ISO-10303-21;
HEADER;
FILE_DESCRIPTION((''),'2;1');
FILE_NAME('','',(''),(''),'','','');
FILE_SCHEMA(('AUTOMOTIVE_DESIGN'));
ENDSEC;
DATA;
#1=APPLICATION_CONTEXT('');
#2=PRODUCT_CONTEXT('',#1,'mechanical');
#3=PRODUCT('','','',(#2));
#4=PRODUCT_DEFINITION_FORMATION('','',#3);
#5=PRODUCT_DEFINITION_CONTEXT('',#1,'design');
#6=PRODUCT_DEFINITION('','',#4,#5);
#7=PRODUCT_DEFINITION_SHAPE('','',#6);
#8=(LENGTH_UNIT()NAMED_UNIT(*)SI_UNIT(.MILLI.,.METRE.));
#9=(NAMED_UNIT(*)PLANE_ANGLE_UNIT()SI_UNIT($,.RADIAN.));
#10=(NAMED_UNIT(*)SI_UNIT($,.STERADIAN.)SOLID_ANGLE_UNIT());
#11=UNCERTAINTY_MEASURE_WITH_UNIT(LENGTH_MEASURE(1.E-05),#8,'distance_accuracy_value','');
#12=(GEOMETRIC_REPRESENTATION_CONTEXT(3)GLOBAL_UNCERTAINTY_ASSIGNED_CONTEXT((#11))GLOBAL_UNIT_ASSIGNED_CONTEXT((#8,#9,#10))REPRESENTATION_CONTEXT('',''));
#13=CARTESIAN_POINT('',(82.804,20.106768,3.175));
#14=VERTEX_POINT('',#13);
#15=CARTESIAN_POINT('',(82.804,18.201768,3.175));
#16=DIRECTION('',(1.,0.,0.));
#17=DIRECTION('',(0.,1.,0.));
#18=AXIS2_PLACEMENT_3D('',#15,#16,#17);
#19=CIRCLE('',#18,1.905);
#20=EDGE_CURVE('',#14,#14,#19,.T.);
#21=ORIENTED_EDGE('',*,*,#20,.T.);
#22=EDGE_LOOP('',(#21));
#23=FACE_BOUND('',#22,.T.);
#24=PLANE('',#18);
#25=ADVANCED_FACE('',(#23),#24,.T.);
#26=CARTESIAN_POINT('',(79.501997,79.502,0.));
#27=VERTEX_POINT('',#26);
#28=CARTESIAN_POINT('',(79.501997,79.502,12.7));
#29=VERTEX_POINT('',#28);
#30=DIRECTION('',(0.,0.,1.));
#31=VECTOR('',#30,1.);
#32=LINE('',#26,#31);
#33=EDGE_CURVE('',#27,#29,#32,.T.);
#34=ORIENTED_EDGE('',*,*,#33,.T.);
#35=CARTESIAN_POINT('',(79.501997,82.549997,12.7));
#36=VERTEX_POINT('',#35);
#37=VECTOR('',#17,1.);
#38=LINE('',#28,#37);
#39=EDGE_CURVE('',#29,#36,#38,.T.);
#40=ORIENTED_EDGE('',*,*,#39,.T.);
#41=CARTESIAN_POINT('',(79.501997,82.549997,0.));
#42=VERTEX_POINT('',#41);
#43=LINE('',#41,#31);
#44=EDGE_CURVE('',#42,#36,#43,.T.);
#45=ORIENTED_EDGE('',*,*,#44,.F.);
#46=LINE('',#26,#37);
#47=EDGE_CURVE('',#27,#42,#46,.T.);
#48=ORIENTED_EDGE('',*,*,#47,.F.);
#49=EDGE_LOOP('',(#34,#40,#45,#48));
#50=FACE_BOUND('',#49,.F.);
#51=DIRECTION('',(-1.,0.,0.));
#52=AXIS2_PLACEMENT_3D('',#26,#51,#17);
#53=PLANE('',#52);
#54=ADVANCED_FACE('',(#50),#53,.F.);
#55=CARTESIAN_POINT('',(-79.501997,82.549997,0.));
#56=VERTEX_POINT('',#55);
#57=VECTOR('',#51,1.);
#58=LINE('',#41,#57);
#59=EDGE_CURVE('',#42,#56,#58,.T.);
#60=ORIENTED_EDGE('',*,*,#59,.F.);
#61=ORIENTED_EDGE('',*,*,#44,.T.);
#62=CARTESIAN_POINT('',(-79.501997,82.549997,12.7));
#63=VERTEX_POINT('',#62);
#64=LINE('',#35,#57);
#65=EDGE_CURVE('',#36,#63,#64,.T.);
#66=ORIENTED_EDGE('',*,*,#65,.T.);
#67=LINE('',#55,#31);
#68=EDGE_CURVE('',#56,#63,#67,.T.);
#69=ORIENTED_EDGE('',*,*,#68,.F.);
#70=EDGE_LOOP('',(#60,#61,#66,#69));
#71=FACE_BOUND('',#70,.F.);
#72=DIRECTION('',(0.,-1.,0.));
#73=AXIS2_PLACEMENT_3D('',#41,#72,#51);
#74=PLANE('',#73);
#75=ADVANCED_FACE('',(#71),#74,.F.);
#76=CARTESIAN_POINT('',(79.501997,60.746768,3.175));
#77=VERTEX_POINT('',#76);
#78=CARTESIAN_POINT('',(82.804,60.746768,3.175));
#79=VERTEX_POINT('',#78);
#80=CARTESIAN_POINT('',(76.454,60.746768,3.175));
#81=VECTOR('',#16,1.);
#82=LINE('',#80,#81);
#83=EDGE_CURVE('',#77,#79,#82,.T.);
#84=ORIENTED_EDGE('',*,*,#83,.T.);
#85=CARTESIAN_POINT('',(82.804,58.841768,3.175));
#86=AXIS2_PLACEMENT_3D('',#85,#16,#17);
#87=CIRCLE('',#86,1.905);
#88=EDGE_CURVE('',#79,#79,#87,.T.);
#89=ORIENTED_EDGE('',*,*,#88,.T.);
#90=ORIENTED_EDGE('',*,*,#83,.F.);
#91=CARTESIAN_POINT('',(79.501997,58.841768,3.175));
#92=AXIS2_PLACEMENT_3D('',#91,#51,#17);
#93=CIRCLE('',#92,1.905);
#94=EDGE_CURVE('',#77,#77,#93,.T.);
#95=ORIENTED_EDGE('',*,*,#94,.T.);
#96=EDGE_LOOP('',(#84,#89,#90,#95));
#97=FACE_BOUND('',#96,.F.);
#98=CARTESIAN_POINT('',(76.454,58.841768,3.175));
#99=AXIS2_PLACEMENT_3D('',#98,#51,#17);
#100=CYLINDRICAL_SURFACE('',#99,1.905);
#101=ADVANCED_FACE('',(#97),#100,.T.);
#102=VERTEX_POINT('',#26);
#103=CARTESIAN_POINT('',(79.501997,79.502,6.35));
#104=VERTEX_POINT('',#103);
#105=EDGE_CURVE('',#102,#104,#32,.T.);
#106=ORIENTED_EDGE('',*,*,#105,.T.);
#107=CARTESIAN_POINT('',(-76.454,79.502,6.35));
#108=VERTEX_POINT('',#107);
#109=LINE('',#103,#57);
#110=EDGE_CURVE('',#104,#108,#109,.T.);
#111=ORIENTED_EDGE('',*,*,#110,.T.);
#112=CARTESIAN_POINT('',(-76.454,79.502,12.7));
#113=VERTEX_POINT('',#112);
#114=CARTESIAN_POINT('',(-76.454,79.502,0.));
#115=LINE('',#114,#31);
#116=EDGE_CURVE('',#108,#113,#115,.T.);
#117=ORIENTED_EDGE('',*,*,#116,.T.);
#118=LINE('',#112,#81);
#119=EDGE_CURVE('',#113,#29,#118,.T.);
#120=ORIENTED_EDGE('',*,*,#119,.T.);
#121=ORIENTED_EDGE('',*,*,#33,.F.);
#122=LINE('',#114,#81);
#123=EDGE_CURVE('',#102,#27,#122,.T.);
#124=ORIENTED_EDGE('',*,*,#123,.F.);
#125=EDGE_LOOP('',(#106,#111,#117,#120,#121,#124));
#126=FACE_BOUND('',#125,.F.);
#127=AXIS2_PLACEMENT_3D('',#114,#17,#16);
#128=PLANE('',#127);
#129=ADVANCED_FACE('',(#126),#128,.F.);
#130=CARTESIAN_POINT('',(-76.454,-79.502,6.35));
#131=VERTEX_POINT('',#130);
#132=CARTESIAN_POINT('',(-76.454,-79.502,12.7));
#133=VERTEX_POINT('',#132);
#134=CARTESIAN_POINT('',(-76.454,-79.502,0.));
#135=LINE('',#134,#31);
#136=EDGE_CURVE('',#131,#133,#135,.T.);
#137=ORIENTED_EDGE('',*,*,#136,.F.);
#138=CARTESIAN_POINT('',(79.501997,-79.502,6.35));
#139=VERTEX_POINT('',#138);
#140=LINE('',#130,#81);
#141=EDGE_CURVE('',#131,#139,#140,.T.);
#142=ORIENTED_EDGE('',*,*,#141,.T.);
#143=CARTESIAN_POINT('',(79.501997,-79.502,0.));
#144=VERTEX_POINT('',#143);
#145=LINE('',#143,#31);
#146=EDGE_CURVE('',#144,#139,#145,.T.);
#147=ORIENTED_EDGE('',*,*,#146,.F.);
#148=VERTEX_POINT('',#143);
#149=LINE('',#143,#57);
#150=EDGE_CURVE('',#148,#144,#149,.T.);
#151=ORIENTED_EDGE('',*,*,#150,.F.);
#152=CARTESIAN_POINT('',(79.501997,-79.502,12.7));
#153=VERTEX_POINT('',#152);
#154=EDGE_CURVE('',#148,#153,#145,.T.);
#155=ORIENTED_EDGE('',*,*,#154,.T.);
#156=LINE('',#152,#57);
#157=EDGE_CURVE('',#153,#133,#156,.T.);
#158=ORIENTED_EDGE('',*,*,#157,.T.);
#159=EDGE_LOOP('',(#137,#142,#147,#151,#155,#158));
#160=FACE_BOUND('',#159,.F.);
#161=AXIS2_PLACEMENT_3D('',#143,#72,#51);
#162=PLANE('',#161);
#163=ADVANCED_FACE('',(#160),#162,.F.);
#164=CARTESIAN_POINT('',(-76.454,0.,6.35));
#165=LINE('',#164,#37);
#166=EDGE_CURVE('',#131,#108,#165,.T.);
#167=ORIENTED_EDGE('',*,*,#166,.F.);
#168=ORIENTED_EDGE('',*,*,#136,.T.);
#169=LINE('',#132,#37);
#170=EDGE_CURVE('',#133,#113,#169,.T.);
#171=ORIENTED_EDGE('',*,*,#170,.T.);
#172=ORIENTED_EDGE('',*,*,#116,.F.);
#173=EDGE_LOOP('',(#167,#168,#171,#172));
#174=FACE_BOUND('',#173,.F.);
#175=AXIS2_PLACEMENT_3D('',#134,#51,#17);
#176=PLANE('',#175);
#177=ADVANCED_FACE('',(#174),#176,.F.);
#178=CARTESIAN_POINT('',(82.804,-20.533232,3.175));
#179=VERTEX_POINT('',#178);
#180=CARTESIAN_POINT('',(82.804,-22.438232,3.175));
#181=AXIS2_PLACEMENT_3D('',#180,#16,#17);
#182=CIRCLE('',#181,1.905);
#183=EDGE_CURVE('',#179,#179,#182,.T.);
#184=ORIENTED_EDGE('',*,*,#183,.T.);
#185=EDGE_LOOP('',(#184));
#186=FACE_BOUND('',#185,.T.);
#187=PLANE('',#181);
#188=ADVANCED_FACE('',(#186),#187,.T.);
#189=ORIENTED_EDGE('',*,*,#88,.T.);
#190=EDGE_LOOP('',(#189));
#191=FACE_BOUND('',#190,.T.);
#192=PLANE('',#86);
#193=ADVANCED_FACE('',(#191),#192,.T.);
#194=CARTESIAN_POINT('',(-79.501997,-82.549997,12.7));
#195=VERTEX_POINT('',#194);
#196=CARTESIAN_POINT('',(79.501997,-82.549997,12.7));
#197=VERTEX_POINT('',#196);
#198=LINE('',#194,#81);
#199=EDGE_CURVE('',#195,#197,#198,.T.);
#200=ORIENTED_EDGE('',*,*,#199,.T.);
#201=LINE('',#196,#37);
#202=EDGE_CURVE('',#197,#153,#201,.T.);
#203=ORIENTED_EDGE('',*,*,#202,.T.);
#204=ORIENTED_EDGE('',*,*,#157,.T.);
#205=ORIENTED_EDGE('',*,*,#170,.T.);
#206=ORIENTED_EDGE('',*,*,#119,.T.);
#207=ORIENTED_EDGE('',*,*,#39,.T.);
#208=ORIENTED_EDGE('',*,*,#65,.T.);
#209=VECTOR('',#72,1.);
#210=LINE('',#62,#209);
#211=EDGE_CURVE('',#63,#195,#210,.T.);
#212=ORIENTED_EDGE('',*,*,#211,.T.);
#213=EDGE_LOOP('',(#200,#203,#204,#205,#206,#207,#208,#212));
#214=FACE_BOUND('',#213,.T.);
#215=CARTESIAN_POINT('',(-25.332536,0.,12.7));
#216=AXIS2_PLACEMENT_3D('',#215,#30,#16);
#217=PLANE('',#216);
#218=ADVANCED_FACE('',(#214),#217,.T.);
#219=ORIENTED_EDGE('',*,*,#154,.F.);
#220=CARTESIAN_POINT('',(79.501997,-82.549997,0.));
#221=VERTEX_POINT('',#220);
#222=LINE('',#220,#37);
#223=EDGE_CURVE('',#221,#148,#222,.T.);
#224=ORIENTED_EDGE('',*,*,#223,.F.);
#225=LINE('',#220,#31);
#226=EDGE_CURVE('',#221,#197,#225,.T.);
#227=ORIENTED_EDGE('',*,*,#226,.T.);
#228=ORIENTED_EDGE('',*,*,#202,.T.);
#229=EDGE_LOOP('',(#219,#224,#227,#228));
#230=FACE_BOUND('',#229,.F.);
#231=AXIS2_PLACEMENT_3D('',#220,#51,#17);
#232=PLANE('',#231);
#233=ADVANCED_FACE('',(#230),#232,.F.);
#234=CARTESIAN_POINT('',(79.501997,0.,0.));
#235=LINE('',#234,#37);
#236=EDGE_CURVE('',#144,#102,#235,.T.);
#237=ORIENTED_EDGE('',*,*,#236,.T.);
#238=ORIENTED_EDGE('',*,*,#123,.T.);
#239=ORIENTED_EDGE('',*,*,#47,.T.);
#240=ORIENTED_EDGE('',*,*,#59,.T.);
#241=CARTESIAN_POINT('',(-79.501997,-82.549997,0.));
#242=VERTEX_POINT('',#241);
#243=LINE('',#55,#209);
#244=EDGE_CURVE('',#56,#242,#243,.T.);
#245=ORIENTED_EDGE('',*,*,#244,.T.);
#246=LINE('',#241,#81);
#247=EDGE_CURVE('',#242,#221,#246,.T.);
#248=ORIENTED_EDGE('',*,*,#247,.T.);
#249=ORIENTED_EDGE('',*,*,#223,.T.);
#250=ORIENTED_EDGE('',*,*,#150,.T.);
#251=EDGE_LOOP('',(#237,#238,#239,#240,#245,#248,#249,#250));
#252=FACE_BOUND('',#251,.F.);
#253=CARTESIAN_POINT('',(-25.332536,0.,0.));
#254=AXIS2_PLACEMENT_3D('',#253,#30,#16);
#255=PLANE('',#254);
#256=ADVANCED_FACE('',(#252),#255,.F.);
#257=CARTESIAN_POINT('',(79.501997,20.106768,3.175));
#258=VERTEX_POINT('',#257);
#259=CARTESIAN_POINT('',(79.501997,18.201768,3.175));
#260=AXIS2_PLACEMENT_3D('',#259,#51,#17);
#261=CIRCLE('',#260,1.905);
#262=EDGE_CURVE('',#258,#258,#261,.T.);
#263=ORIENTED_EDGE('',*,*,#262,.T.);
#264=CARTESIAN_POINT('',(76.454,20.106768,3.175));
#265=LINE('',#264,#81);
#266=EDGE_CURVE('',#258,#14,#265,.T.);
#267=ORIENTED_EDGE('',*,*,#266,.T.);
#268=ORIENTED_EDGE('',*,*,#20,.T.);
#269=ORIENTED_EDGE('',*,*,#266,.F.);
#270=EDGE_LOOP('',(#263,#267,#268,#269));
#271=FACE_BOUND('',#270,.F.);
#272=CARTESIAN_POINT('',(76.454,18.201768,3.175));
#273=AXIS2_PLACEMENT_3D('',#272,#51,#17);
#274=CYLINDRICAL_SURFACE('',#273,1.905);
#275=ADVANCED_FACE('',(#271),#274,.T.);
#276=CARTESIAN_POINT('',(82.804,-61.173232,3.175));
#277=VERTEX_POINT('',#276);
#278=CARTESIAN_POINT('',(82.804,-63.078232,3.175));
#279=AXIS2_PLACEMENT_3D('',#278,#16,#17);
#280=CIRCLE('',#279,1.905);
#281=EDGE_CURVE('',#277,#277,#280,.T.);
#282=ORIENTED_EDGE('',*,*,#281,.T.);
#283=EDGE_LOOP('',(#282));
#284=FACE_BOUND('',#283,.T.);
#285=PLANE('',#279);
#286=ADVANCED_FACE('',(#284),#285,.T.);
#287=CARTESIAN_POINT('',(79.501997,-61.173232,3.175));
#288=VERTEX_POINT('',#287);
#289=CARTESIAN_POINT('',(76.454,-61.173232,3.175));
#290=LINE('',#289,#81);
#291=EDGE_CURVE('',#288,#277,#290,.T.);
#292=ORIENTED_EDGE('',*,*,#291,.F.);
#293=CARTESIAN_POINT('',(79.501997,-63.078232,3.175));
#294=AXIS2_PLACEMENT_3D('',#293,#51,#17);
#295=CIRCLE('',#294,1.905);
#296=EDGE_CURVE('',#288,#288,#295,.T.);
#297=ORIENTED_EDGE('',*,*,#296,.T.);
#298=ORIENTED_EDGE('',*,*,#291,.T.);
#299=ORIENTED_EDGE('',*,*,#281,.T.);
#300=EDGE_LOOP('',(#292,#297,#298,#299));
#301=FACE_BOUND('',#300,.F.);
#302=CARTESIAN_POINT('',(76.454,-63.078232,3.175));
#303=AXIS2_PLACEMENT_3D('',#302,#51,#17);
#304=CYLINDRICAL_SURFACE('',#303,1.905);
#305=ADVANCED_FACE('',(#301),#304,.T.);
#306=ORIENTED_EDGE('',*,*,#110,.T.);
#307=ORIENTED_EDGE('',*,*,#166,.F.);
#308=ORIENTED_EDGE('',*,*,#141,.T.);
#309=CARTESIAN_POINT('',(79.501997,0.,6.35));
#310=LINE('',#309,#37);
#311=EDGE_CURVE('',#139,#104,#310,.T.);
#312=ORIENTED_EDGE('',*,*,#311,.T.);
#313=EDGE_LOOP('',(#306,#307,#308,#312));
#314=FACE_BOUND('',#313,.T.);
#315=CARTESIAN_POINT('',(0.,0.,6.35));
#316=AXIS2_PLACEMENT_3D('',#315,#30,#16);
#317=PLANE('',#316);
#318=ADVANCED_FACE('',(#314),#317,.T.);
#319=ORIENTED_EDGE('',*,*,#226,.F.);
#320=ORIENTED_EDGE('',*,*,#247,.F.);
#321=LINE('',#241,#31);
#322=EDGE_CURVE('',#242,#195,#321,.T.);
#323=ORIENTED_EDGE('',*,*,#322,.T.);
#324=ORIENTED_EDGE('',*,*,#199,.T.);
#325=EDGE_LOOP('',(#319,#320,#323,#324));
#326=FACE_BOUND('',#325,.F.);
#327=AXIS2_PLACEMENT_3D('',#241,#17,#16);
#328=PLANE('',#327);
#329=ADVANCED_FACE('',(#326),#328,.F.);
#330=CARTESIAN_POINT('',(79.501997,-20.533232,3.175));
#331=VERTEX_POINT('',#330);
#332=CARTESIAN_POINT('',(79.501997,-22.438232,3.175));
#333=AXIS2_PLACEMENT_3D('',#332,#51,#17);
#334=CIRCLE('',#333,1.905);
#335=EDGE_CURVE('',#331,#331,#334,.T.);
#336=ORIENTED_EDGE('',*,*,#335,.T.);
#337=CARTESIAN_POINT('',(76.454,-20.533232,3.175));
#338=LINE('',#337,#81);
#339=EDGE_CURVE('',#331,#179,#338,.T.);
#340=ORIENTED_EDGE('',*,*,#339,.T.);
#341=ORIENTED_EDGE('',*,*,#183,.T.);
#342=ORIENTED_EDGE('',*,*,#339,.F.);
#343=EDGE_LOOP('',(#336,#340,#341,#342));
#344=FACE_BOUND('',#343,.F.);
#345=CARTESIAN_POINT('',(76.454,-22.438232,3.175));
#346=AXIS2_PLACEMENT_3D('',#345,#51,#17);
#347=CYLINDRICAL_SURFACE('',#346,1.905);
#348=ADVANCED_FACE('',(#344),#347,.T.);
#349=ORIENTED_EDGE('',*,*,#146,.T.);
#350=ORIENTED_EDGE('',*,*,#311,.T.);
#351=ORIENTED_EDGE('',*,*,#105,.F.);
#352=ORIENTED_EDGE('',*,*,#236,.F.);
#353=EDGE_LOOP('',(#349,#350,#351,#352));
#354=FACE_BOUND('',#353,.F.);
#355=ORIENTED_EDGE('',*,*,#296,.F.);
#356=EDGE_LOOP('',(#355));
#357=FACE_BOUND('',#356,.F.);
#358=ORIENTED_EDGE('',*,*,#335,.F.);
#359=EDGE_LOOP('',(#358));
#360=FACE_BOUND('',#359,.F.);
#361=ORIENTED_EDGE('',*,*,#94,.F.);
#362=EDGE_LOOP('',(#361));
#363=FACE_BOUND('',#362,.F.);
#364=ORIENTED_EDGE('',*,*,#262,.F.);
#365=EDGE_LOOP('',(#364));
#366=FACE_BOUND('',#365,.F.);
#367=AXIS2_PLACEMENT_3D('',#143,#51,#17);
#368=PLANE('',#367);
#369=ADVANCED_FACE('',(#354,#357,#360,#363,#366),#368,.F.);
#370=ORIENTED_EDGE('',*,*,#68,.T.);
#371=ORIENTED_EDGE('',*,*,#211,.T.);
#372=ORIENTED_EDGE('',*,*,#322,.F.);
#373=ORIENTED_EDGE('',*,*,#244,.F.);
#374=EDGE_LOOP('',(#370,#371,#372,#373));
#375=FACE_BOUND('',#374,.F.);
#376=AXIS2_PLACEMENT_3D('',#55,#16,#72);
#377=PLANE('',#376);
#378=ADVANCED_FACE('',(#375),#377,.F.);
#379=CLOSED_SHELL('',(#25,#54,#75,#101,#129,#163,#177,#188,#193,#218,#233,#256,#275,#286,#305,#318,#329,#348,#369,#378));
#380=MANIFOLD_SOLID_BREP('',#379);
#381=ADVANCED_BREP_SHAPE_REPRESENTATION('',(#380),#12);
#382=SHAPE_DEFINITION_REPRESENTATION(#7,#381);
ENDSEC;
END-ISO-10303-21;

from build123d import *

# Parameters (mm, degrees)
F0_W     = 152.908
F0_H     = 159.004
F1_DEPTH = 6.35
F2_DEPTH = 12.7
F3_R     = 1.905
F4_DEPTH = 6.35
F0_W_2   = 3.047997
F5_DEPTH = 6.35


with BuildPart() as f1:
    # F0 (on Top) → F1 (new body)
    with BuildSketch(Plane.XY):
        Rectangle(F0_W, F0_H)
    extrude(amount=F1_DEPTH)

    # F0 (on Top) → F2 (join)
    with BuildSketch(Plane.XY):
        Polygon((79.501997, -79.502), (76.454, -79.502), (-76.454, -79.502), (-76.454, 79.502), (76.454, 79.502), (79.501997, 79.502), (79.501997, 82.549997), (-79.501997, 82.549997), (-79.501997, -82.549997), (79.501997, -82.549997), align=None)
    extrude(amount=F2_DEPTH)

    # F3 (on face) → F4 (join)
    with BuildSketch(Plane.YZ.offset(76.454)):
        with Locations((-63.078232, 3.175)):
            Circle(F3_R)
        with Locations((-22.438232, 3.175)):
            Circle(F3_R)
        with Locations((18.201768, 3.175)):
            Circle(F3_R)
        with Locations((58.841768, 3.175)):
            Circle(F3_R)
    extrude(amount=F4_DEPTH)

    # F0 (on Top) → F5 (join)
    with BuildSketch(Plane.XY):
        with Locations((77.977998, 0)):
            Rectangle(F0_W_2, F0_H)
    extrude(amount=F5_DEPTH)


solid = f1.part
